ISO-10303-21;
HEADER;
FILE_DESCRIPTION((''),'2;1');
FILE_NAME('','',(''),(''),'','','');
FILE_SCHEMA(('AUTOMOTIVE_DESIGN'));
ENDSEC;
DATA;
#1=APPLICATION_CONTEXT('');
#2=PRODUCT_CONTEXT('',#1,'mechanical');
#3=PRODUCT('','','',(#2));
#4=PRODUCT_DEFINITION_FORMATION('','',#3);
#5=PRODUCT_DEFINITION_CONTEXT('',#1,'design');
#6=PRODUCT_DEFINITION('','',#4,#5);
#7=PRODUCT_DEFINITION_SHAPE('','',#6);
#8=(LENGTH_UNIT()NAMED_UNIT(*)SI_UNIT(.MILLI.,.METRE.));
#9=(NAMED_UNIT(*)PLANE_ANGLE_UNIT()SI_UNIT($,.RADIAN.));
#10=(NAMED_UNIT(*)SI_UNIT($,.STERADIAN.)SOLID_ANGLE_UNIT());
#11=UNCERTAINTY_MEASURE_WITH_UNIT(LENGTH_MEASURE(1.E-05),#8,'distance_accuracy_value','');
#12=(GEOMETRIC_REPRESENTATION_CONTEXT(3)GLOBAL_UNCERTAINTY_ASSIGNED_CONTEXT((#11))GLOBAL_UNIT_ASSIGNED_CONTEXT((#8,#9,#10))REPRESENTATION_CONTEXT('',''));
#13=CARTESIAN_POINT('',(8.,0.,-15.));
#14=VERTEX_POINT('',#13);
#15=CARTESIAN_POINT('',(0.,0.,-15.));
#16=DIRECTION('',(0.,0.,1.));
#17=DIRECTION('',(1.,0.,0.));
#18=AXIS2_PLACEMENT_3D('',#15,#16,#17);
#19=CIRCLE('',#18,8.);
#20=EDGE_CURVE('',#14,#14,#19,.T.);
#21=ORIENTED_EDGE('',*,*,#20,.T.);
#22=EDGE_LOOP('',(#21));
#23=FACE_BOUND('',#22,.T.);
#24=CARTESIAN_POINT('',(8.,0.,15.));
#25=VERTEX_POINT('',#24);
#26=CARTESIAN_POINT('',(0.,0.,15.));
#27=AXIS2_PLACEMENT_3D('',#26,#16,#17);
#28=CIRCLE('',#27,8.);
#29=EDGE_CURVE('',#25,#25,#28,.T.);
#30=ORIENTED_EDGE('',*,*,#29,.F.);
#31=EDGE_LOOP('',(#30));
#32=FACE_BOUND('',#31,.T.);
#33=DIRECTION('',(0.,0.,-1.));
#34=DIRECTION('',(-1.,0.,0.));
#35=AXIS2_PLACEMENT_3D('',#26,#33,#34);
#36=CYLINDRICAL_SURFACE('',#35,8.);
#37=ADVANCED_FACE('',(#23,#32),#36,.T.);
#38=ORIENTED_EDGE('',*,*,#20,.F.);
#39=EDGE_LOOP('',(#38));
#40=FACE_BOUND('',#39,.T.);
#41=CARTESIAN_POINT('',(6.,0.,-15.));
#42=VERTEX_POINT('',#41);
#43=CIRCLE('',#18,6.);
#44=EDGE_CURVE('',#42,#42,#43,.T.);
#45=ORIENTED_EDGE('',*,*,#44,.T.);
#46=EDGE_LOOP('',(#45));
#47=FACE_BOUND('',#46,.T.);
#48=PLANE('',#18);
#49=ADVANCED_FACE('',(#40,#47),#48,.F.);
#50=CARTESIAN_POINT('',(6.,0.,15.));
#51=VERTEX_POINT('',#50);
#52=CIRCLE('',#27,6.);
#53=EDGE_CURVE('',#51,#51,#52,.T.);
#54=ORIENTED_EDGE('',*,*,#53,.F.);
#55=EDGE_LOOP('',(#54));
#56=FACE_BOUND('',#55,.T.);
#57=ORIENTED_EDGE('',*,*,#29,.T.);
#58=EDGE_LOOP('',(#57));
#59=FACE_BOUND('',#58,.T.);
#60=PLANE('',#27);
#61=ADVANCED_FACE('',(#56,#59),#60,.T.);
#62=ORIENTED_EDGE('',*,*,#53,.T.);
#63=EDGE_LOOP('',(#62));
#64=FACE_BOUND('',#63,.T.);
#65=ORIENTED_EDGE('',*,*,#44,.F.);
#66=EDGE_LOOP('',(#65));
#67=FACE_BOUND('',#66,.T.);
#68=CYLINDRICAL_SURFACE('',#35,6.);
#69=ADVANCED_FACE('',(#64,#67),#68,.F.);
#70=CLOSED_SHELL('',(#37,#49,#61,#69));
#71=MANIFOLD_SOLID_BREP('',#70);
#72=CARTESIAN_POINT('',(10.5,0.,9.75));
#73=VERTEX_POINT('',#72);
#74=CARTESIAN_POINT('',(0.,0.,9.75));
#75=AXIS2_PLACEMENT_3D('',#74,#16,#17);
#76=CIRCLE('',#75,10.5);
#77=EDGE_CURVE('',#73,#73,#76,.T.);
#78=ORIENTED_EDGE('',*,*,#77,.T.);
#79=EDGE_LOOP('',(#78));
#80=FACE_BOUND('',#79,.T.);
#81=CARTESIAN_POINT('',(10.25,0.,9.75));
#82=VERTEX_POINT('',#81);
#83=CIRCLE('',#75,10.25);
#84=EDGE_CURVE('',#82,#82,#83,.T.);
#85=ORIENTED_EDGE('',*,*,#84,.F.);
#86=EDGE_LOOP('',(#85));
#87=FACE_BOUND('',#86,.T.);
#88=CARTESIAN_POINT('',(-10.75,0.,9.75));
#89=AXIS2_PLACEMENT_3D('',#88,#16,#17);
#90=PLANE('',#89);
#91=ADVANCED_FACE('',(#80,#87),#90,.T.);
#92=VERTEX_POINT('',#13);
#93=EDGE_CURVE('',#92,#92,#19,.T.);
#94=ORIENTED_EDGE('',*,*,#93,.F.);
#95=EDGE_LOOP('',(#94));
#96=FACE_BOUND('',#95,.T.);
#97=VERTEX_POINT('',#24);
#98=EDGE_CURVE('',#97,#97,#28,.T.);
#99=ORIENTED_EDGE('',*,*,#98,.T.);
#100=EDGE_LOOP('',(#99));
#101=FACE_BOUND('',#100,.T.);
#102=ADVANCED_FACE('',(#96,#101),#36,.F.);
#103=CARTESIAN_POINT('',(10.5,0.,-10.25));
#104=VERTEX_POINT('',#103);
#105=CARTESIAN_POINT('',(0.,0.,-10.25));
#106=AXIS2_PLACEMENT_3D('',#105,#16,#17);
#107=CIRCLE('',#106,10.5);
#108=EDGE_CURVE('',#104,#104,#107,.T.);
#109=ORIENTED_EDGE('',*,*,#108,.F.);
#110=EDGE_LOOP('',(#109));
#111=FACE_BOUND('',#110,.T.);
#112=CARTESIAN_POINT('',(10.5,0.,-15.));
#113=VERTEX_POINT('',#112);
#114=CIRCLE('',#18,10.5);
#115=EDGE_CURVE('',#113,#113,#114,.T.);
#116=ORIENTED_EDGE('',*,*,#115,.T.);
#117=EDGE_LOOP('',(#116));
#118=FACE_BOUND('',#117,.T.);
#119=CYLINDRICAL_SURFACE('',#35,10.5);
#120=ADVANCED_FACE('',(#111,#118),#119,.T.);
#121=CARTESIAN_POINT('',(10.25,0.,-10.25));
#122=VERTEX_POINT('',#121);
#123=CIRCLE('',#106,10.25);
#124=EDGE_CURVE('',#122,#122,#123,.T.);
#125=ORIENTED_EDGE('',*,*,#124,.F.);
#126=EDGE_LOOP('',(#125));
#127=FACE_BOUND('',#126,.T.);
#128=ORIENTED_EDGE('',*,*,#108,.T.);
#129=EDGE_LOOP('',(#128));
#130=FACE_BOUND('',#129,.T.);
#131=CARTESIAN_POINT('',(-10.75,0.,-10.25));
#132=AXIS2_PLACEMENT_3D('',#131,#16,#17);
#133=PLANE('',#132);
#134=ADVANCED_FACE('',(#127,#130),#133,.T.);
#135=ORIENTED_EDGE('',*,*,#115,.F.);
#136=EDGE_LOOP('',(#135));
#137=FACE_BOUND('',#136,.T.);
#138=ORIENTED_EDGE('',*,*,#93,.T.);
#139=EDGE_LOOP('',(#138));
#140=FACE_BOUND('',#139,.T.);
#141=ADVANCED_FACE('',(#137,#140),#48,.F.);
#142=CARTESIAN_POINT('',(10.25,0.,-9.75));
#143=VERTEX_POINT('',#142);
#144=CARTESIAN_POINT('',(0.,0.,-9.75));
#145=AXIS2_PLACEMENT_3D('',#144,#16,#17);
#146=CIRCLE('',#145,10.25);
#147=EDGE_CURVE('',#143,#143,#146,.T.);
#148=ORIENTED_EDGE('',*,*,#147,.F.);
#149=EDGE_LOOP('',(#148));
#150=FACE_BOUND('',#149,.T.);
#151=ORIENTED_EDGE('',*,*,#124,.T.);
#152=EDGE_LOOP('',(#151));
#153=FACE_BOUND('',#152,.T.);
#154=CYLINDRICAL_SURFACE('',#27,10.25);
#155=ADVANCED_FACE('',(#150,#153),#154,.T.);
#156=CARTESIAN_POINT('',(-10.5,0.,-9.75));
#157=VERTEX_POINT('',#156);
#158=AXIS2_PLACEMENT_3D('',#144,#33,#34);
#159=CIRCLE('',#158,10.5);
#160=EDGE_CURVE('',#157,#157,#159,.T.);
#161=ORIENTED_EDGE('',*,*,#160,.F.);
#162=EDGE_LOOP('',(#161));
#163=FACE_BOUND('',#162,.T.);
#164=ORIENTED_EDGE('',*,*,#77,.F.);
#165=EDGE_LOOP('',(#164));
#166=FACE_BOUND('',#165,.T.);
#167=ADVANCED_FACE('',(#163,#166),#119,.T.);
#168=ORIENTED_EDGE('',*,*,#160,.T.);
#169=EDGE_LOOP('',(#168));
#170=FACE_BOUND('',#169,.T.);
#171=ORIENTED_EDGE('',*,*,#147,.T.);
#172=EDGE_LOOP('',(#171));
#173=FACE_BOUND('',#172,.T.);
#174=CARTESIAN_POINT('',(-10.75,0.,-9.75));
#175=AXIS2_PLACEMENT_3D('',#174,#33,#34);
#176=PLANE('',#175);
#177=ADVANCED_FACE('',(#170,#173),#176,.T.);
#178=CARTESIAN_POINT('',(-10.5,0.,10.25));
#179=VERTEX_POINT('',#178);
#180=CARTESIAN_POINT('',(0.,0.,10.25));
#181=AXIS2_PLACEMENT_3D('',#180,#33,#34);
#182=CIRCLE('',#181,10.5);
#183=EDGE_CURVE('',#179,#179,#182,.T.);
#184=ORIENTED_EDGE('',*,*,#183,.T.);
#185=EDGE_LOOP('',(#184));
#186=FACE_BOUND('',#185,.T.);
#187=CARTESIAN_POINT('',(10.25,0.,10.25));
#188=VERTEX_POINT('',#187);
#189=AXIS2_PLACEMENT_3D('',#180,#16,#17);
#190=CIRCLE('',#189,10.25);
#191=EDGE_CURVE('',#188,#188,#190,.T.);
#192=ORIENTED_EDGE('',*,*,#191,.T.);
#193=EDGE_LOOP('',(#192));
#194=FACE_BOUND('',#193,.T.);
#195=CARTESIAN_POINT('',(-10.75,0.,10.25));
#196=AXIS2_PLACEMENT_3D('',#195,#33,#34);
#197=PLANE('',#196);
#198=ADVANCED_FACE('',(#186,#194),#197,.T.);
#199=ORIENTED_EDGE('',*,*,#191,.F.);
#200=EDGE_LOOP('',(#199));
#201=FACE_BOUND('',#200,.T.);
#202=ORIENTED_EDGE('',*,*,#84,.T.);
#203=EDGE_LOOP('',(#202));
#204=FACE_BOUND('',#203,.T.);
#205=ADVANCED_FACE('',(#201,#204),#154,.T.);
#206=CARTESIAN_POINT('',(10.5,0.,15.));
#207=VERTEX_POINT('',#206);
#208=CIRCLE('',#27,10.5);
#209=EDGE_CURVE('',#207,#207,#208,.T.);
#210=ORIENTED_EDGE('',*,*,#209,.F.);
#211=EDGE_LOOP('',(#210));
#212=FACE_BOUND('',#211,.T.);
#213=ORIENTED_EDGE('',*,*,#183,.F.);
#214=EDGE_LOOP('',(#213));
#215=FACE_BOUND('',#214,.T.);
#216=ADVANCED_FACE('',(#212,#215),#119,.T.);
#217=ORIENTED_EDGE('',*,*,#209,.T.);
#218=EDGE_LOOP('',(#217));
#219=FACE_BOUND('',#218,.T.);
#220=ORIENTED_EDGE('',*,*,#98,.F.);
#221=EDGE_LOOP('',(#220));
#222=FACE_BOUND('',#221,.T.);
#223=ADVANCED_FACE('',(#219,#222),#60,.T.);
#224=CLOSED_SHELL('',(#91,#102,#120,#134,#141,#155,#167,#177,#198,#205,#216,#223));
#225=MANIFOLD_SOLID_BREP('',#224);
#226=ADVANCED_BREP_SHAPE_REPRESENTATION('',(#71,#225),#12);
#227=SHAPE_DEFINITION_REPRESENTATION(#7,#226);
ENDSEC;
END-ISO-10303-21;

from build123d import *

# Parameters (mm, degrees)
SKETCH1_R           = 10.5
SKETCH1_R_2         = 8
BOSS_EXTRUDE1_DEPTH = 15
SKETCH2_R           = 8
SKETCH2_R_2         = 6
BOSS_EXTRUDE2_DEPTH = 15
SKETCH3_W           = 0.5
SKETCH3_H           = 0.5


with BuildPart() as part:
    # Sketch1 → Boss-Extrude1 (new, symmetric)
    with BuildSketch(Plane.XY):
        Circle(SKETCH1_R)
        Circle(SKETCH1_R_2, mode=Mode.SUBTRACT)
    extrude(amount=BOSS_EXTRUDE1_DEPTH, both=True)

    # Sketch3 → Cut-Revolve1 (revolve, cut)
    with BuildSketch(Plane(origin=(0, 0, 0), x_dir=(1, 0, 0), z_dir=(0, 1, 0)), mode=Mode.PRIVATE) as cut_revolve1_sk:
        with Locations((-10.5, -10)):
            Rectangle(SKETCH3_W, SKETCH3_H)
        with Locations((-10.5, 10)):
            Rectangle(SKETCH3_W, SKETCH3_H)
    revolve(cut_revolve1_sk.sketch.rotate(Axis((0, 0, 15), (0, 0, -1)), 180), axis=Axis((0, 0, 15), (0, 0, -1)), mode=Mode.SUBTRACT)


with BuildPart() as body_2:
    # Sketch2 → Boss-Extrude2 (new, symmetric)
    with BuildSketch(Plane.XY):
        Circle(SKETCH2_R)
        Circle(SKETCH2_R_2, mode=Mode.SUBTRACT)
    extrude(amount=BOSS_EXTRUDE2_DEPTH, both=True)


solid = Compound([part.part, body_2.part])
